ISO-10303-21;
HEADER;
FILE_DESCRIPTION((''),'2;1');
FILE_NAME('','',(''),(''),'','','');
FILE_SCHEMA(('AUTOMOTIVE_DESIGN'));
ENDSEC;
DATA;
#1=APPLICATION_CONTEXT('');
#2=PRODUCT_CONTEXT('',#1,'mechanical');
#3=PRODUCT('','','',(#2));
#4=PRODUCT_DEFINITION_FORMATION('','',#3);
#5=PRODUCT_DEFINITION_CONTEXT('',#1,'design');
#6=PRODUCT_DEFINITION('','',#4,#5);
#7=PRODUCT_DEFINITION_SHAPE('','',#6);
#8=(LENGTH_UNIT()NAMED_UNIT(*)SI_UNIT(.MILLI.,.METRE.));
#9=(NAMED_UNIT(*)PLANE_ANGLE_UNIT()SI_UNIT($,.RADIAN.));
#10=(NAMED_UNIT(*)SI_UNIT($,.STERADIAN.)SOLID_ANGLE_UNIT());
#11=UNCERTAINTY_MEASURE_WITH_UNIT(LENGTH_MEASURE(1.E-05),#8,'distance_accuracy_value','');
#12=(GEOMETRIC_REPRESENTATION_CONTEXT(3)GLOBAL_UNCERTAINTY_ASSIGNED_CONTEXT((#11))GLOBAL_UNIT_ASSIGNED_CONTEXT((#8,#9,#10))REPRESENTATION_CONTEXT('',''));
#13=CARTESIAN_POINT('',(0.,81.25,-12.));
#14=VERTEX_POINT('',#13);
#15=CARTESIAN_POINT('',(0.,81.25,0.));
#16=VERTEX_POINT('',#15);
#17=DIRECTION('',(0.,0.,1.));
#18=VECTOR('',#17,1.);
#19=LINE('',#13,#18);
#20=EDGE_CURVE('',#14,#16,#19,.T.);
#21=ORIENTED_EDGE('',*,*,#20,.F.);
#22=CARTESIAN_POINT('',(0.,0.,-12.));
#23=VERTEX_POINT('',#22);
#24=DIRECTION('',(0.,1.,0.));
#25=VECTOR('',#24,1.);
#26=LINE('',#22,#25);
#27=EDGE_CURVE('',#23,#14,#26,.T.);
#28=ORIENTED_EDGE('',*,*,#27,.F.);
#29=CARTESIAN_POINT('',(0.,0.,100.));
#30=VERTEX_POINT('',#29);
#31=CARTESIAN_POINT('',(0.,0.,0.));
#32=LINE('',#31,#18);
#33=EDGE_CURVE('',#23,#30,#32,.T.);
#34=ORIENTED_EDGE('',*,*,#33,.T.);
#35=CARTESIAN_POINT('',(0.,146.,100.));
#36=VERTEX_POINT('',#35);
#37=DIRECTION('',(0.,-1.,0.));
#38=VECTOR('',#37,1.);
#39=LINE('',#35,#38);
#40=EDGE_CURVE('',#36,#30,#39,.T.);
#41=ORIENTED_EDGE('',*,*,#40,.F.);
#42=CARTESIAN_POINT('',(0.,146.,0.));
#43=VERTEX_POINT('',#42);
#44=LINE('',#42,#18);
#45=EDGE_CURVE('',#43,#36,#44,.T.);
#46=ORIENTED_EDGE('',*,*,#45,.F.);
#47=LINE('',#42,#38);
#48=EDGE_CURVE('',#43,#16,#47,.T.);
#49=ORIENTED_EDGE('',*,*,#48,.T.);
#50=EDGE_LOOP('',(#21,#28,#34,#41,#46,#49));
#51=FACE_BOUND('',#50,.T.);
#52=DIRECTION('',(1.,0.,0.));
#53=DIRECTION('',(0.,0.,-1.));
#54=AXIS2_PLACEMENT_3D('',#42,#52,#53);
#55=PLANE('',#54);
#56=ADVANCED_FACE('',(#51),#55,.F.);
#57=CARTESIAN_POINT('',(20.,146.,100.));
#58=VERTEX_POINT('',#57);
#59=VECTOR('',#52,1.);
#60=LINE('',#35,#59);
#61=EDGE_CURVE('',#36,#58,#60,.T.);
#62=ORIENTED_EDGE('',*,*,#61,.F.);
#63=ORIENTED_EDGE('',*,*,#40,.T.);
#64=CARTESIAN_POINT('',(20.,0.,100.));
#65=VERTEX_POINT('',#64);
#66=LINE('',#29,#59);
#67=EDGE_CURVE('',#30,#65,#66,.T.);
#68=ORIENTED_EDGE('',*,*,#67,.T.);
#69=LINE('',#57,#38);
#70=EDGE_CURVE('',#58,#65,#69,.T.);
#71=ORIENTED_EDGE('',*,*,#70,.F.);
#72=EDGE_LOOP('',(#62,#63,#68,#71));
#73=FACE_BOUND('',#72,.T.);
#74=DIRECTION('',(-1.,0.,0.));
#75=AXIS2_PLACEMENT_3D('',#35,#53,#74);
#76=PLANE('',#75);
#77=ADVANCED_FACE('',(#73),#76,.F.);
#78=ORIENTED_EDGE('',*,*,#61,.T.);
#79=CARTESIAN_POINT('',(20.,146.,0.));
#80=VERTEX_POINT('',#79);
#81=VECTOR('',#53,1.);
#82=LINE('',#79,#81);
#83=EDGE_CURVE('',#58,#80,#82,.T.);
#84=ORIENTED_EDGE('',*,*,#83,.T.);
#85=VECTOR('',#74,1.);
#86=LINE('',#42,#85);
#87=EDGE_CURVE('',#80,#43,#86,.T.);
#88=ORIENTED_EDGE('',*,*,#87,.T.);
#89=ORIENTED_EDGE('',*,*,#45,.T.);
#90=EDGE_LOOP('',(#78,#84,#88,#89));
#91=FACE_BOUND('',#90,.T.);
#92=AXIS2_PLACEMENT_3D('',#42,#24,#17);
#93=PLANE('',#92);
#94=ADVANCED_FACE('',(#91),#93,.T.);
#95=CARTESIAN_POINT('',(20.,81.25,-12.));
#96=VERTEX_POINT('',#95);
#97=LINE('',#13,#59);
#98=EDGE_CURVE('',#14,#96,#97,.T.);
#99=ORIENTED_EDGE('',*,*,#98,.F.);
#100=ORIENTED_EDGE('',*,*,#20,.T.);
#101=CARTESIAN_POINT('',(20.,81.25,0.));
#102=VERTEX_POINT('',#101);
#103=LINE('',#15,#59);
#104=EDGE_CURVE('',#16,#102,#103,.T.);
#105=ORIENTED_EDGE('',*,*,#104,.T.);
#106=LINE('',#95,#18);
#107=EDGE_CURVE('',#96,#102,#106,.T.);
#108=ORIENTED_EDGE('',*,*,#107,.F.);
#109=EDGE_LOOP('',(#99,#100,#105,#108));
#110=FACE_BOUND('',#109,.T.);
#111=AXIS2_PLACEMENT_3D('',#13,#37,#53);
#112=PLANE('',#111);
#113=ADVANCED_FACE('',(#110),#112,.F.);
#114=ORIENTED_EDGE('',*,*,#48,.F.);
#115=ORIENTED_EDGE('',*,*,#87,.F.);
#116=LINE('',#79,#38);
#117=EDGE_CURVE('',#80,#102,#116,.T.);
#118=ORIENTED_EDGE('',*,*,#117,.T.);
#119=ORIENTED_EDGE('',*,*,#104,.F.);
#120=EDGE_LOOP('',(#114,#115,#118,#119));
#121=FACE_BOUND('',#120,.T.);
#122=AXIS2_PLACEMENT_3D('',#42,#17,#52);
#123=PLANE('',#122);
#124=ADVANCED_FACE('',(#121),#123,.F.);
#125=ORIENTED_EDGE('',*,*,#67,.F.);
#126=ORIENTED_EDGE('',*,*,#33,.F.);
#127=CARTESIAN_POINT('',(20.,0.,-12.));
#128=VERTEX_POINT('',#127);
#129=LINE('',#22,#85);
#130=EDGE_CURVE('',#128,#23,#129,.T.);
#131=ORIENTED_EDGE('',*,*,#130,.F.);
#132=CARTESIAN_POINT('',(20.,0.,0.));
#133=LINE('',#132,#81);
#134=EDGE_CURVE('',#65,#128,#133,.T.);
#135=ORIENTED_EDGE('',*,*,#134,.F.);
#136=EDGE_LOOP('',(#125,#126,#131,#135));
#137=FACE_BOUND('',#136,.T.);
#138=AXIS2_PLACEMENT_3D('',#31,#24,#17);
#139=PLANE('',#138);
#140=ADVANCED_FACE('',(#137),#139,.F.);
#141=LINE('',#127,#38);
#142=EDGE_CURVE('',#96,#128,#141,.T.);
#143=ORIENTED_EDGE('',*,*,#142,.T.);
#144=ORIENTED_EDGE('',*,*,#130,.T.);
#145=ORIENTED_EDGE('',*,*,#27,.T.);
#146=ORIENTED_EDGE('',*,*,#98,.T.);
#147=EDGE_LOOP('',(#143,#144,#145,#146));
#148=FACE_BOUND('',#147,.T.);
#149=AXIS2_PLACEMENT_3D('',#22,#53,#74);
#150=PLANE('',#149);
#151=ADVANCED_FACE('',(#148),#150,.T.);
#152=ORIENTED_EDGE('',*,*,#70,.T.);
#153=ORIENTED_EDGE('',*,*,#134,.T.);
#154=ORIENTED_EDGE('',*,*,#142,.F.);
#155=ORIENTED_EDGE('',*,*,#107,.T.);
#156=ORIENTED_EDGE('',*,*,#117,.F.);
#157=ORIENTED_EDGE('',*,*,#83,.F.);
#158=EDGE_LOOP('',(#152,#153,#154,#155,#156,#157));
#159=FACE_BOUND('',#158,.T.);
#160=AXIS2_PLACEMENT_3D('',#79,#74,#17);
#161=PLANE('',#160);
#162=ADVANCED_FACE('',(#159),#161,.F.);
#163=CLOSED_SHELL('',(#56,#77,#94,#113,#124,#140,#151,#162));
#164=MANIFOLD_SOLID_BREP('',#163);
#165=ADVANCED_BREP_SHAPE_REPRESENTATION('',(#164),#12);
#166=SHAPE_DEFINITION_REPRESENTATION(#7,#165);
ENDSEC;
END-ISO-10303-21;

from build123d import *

# Parameters (mm, degrees)
SKETCH1_W           = 20
SKETCH1_H           = 100
BOSS_EXTRUDE1_DEPTH = 146
SKETCH2_W           = 20
SKETCH2_H           = 81.25
BOSS_EXTRUDE2_DEPTH = 12


with BuildPart() as part:
    # Sketch1 → Boss-Extrude1 (new body)
    with BuildSketch(Plane(origin=(0, 0, 0), x_dir=(1, 0, 0), z_dir=(0, 1, 0))):
        with Locations((10, -50)):
            Rectangle(SKETCH1_W, SKETCH1_H)
    extrude(amount=BOSS_EXTRUDE1_DEPTH)

    # Sketch2 → Boss-Extrude2 (add)
    with BuildSketch(Plane(origin=(0, 0, 0), x_dir=(-1, 0, 0), z_dir=(0, 0, -1))):
        with Locations((-10, 40.625)):
            Rectangle(SKETCH2_W, SKETCH2_H)
    extrude(amount=BOSS_EXTRUDE2_DEPTH)


solid = part.part
